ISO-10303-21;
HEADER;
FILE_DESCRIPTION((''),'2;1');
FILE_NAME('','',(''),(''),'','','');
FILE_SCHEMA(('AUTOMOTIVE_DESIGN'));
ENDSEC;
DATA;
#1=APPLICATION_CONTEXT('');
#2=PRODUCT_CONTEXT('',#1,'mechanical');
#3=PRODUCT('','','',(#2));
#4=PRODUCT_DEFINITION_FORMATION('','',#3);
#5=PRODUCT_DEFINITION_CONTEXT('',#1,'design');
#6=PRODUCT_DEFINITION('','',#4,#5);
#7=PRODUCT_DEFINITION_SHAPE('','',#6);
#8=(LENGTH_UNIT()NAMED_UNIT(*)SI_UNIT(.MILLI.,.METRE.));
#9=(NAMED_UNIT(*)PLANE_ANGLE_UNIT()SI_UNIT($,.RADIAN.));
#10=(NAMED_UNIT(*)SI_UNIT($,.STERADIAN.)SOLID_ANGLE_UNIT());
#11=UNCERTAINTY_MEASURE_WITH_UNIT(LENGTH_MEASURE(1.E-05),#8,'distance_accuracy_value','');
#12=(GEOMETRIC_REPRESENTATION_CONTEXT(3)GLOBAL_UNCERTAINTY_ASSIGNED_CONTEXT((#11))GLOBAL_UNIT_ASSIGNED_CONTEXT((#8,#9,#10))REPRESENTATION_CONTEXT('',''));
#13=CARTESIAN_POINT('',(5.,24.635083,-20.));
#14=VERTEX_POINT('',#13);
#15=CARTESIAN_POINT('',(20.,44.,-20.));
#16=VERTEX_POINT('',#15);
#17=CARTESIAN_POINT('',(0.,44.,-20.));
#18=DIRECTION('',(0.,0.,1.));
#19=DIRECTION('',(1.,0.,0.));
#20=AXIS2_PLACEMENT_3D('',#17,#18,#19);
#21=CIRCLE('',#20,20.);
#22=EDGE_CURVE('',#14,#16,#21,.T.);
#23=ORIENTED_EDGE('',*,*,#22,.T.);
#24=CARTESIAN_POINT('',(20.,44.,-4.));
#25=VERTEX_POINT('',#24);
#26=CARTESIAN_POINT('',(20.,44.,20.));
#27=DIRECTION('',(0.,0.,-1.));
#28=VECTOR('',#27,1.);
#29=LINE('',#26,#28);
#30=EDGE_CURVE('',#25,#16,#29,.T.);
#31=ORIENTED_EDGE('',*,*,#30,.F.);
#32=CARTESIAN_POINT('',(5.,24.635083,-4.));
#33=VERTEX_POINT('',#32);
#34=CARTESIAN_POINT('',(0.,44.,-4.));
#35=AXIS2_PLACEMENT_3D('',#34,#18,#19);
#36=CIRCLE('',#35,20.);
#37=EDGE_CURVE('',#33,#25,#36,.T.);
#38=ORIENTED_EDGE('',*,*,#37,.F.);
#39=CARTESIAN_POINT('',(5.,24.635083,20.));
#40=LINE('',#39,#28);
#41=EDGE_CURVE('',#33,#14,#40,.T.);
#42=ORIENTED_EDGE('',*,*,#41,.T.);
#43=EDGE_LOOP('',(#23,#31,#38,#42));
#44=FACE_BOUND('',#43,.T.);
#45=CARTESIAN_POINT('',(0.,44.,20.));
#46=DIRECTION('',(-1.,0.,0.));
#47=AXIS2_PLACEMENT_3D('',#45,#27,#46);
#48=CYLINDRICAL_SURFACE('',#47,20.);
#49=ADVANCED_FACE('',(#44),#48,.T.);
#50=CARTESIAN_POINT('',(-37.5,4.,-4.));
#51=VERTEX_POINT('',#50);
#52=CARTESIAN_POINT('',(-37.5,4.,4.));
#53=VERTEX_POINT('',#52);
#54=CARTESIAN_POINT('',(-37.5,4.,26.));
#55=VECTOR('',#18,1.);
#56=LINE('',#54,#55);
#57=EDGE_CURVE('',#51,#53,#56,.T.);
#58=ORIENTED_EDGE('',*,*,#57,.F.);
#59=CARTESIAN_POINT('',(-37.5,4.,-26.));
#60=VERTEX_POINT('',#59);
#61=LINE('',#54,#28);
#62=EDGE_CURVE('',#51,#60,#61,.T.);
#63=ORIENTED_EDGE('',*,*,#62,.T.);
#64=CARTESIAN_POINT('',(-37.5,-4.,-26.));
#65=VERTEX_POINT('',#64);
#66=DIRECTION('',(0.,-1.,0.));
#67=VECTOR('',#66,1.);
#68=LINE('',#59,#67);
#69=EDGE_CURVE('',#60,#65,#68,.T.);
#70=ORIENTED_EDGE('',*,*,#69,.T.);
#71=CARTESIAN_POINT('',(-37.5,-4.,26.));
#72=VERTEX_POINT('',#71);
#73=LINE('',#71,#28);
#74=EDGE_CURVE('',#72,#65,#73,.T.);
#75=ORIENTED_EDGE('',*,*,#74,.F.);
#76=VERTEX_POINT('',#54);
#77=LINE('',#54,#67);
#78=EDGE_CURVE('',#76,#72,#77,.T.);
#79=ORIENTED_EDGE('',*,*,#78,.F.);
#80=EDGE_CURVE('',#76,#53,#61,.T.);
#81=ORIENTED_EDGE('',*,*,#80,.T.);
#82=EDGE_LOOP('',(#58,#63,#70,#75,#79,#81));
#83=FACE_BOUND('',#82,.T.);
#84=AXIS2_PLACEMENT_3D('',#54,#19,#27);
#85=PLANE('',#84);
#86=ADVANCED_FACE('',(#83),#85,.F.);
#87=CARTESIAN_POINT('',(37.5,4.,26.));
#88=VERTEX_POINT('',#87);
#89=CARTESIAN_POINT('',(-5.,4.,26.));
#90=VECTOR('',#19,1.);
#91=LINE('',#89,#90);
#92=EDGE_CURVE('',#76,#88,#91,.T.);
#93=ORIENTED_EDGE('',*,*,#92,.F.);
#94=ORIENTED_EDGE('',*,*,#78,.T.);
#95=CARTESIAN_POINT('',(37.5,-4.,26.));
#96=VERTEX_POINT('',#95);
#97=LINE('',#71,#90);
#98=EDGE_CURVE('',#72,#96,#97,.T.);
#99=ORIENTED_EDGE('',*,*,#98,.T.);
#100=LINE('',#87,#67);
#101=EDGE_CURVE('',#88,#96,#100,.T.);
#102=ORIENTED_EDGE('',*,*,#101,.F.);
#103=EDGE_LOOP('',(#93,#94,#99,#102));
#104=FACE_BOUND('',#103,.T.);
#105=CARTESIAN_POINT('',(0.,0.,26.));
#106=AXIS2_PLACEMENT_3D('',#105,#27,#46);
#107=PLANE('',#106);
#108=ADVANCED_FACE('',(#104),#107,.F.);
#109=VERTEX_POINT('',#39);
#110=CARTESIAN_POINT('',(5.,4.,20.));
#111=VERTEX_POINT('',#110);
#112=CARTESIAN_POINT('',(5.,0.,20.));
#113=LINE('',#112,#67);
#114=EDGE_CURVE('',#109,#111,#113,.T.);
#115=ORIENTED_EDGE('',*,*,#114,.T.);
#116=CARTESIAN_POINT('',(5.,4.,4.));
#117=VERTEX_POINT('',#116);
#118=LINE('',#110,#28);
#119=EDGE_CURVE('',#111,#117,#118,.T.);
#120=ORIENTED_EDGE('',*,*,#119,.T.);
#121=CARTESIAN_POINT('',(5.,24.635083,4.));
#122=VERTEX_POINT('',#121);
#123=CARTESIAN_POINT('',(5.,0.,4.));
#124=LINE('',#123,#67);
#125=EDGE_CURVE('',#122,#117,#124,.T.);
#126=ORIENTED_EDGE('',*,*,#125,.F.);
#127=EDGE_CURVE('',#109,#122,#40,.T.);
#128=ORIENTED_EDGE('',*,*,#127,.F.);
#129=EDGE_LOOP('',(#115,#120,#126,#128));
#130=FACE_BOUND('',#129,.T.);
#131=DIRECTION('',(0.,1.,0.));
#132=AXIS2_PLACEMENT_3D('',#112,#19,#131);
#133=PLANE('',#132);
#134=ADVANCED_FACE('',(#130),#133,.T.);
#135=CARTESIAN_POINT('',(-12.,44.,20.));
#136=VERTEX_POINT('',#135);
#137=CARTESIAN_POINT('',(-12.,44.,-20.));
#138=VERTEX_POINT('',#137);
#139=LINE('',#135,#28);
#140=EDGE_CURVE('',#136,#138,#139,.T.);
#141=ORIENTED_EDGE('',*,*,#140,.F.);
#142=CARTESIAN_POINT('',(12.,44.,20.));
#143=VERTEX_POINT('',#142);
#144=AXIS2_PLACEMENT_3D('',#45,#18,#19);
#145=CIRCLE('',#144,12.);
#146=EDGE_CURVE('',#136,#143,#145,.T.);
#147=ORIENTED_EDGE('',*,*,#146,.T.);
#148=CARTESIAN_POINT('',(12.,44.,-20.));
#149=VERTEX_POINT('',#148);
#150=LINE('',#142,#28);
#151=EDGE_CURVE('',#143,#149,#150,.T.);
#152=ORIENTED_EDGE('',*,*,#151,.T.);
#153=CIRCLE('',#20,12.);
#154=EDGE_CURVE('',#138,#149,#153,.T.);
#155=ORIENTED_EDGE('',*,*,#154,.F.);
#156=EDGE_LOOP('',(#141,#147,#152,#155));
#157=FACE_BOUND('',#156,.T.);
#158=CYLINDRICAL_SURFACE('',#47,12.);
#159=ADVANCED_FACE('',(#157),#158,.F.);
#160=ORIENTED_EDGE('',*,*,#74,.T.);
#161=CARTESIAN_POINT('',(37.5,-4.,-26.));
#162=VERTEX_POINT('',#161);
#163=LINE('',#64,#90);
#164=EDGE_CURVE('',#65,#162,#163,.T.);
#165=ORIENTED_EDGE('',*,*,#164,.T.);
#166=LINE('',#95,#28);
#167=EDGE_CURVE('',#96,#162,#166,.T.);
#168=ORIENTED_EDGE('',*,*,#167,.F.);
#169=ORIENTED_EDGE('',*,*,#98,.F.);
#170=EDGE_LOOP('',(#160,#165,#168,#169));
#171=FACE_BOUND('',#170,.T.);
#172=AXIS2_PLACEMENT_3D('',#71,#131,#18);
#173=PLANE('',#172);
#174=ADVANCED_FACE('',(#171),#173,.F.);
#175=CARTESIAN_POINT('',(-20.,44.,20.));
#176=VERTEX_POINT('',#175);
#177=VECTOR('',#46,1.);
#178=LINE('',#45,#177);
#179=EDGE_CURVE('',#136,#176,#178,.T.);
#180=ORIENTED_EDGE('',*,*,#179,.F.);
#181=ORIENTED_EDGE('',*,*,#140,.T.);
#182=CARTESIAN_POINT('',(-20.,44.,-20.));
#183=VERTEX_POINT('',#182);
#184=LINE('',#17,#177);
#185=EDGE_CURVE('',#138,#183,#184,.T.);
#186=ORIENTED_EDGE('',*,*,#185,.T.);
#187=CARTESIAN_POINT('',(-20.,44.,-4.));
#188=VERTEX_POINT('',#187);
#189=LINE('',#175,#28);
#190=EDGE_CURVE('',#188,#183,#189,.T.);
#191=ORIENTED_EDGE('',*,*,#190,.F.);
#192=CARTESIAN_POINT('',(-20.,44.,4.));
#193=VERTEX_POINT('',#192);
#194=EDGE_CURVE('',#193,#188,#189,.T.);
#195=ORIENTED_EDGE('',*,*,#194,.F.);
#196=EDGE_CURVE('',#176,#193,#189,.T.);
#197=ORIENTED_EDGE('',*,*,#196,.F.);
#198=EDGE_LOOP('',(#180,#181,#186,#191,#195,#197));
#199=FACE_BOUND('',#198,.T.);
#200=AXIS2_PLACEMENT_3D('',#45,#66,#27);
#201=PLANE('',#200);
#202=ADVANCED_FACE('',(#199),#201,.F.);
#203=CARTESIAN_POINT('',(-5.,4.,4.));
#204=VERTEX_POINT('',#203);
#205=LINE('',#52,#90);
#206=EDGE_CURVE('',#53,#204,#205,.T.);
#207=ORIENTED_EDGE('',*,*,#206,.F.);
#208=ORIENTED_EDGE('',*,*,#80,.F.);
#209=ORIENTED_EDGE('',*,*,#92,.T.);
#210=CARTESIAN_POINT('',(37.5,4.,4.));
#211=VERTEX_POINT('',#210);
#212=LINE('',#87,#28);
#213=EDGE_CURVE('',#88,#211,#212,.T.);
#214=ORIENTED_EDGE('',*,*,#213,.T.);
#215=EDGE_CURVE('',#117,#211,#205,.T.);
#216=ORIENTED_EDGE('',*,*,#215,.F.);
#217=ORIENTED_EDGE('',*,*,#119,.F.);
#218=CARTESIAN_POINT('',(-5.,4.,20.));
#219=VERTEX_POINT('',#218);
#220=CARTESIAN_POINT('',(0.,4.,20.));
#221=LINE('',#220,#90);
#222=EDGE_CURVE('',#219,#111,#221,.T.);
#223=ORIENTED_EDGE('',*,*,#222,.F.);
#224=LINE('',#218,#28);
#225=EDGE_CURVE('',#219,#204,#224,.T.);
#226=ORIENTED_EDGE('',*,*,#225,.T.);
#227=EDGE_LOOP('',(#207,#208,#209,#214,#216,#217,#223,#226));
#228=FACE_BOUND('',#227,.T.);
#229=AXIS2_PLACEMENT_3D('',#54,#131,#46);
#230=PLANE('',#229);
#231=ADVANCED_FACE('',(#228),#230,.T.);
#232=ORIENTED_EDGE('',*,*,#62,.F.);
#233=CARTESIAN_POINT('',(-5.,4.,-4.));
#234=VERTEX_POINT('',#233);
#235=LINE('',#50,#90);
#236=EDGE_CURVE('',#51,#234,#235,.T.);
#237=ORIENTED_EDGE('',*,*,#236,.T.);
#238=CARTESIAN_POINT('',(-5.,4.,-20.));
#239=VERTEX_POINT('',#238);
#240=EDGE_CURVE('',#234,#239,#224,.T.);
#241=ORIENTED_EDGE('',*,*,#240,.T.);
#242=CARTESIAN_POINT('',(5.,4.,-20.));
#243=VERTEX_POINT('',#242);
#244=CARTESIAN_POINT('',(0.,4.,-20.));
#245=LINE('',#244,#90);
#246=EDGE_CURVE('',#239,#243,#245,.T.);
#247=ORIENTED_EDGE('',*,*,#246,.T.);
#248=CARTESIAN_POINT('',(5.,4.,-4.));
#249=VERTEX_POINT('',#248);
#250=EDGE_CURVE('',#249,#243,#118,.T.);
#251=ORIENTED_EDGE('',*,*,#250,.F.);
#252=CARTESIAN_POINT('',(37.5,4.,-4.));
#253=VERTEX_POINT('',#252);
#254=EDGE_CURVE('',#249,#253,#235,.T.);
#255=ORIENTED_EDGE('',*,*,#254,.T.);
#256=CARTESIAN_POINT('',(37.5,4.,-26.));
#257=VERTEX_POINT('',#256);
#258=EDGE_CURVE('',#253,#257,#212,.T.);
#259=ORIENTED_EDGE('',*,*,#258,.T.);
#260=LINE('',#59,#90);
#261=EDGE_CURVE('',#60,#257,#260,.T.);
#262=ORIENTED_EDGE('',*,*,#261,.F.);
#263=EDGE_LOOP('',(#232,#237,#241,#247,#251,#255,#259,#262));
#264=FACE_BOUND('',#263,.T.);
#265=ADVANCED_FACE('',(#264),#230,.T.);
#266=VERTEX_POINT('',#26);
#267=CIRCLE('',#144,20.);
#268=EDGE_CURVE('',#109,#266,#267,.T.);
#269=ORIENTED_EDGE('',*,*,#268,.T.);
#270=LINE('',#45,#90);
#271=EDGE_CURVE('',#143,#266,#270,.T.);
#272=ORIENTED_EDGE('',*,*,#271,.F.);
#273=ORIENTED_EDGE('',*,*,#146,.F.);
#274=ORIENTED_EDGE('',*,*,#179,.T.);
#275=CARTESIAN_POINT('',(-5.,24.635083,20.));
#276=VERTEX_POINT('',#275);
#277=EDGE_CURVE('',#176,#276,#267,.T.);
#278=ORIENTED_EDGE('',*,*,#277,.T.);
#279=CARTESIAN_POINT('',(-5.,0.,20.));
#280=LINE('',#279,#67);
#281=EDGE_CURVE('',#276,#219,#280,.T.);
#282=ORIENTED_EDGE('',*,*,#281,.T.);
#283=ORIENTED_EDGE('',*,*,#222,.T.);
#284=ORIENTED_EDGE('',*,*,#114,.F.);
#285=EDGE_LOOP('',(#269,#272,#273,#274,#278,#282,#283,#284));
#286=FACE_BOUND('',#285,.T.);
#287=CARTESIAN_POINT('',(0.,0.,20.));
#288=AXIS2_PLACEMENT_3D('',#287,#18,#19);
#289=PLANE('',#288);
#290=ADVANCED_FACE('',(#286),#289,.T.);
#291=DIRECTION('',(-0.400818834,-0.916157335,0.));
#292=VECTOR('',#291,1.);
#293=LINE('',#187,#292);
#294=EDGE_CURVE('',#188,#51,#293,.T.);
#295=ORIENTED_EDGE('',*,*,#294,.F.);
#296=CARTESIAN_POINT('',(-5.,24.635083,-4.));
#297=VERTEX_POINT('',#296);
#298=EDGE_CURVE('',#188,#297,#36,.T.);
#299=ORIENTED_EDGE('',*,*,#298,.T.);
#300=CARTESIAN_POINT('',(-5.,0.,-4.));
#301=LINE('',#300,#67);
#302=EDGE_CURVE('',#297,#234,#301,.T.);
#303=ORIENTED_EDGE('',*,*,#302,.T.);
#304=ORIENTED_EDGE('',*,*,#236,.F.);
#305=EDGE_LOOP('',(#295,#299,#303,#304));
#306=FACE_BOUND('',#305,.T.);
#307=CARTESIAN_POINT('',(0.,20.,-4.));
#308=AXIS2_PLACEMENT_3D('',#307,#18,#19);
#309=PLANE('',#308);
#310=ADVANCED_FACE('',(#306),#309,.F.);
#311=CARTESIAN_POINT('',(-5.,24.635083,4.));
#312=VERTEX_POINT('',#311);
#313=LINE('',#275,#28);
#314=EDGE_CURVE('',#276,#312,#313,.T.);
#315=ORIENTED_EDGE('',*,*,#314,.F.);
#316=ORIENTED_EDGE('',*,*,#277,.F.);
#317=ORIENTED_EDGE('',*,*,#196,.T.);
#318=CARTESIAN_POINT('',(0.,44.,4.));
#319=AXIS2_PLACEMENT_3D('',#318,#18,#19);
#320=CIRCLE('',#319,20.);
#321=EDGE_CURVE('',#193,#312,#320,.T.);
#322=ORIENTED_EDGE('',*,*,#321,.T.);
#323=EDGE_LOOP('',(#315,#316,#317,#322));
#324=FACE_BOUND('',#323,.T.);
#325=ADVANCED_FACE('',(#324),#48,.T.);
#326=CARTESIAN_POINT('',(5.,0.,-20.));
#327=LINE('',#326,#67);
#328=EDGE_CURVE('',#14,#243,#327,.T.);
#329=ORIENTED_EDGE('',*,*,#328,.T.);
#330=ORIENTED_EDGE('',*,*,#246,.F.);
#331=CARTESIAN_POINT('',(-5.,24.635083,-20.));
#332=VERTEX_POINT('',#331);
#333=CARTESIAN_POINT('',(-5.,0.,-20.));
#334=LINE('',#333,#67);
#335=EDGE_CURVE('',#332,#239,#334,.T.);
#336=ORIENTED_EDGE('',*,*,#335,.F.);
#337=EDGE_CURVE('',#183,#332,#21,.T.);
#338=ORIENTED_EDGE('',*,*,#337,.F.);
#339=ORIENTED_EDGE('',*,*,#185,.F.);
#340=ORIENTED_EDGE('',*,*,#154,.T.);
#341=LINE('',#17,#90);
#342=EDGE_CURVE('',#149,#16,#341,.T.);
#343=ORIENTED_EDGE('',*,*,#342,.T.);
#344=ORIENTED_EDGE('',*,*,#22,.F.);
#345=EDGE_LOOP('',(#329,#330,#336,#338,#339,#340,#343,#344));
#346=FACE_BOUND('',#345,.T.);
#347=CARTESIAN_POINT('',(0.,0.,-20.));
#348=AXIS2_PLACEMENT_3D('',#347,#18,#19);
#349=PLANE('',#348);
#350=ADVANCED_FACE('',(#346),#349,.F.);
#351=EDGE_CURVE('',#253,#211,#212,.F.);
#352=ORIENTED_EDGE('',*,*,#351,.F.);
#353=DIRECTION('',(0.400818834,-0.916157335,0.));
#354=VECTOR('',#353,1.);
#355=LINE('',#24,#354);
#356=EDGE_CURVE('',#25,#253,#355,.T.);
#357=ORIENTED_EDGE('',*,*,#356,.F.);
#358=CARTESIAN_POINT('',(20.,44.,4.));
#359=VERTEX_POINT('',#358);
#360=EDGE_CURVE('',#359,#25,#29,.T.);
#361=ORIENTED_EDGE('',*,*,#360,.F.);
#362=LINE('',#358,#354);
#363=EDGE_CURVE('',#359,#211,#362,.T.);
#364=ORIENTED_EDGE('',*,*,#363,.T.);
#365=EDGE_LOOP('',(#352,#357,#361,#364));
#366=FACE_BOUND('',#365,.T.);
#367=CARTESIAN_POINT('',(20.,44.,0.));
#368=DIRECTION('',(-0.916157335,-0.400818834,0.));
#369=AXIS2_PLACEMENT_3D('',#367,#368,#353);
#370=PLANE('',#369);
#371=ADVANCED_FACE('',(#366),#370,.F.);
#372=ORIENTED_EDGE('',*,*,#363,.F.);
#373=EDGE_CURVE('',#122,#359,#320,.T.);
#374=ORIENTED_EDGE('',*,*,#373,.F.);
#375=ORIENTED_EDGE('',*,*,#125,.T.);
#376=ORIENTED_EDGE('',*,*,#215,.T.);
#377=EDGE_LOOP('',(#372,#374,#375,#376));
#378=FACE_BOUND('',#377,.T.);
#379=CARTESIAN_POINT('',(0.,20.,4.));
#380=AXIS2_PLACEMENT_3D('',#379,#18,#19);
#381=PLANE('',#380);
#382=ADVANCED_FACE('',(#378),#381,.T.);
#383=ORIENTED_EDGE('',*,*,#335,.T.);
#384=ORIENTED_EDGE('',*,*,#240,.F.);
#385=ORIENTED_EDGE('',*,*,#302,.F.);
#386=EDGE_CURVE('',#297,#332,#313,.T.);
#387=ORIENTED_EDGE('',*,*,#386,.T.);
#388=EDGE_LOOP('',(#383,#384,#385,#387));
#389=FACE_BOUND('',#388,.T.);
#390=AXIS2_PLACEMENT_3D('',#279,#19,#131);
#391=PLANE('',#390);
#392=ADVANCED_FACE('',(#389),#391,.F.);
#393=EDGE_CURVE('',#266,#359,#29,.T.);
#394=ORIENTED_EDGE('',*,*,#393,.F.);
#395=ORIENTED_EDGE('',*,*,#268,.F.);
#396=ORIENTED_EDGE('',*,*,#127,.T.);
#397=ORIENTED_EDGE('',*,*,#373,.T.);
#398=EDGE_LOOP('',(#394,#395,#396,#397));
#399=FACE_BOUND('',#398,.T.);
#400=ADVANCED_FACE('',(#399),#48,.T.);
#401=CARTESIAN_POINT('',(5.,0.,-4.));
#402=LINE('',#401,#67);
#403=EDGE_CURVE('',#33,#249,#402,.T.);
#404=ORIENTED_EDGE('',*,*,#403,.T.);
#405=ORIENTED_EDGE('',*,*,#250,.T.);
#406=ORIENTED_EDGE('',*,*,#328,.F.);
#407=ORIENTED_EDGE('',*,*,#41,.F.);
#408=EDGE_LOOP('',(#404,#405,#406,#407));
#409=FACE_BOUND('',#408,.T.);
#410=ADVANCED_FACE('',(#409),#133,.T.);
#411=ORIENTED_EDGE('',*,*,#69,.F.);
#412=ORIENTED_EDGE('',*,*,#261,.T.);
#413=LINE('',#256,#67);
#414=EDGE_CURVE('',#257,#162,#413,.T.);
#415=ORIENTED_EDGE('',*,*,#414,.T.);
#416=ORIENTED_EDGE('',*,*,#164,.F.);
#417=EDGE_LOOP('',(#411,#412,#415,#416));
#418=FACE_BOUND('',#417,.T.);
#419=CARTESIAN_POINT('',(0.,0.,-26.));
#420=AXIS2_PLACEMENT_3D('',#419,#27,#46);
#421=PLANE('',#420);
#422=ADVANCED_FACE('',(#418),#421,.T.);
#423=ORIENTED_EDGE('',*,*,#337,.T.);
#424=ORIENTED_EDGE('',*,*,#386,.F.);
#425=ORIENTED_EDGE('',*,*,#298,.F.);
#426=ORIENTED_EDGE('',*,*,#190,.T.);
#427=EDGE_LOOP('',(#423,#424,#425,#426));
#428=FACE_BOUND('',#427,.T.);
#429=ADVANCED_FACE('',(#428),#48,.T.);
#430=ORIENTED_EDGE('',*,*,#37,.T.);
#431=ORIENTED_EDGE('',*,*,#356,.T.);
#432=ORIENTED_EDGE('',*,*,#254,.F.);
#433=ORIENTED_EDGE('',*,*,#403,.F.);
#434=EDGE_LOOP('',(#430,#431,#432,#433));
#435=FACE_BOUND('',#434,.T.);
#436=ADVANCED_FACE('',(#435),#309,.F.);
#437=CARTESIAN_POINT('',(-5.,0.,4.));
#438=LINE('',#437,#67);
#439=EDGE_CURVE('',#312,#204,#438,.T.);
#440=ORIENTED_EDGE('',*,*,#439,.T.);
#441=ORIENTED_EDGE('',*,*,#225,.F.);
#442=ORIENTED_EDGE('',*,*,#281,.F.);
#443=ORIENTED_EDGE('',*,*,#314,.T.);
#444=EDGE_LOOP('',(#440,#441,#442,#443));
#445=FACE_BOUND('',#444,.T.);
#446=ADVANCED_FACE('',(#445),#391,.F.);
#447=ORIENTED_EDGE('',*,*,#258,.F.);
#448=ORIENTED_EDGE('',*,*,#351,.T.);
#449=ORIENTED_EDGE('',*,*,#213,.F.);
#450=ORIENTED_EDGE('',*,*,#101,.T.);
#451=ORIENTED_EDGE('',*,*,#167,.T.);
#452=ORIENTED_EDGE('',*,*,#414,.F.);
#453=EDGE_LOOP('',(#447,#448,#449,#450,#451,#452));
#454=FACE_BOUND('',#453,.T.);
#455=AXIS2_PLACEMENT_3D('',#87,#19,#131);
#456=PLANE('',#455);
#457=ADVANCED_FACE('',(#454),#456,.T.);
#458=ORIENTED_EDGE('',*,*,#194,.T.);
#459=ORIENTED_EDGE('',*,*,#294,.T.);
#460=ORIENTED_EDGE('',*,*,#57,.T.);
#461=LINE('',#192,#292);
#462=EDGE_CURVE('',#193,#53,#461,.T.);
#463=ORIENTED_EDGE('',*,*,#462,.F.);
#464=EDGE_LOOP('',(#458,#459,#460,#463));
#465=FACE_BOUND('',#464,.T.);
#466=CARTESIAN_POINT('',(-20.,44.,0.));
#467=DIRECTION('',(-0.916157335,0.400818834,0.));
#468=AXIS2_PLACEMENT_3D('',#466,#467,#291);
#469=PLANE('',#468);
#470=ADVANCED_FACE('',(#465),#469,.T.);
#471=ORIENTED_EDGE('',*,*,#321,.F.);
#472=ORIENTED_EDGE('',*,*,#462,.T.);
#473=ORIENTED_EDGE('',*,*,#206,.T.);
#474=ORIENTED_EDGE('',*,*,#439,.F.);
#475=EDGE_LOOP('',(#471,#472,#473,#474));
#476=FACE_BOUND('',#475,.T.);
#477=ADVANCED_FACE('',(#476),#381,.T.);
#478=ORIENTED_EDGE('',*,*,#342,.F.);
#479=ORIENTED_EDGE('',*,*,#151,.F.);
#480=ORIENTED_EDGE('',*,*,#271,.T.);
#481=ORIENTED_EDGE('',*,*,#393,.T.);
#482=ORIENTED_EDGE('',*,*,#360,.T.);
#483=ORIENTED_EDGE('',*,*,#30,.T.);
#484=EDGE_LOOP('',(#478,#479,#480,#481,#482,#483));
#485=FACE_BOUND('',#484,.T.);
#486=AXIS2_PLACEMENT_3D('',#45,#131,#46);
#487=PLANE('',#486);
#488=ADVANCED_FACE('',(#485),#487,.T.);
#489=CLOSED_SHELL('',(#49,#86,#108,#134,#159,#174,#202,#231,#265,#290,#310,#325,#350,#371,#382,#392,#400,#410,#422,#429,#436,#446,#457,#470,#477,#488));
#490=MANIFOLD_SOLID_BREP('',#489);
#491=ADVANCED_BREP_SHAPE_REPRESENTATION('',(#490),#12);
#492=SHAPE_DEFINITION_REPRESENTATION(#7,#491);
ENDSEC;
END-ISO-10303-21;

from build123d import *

# Parameters (mm, degrees)
BOSS_EXTRUDE1_DEPTH = 26
BOSS_EXTRUDE2_DEPTH = 20
RIB1_REACH          = 65.39
SKETCH6_WALL_W      = 172.439958848
SKETCH6_WALL_H      = 8
RIB2_REACH          = 65.39
SKETCH7_WALL_W      = 172.439958848
SKETCH7_WALL_H      = 8


with BuildPart() as part:
    # Sketch2 → Boss-Extrude1 (new, symmetric)
    with BuildSketch(Plane.XY):
        Polygon((-5, 4), (37.5, 4), (37.5, -4), (-37.5, -4), (-37.5, 4), align=None)
    extrude(amount=BOSS_EXTRUDE1_DEPTH, both=True)

    # Sketch2<3> → Boss-Extrude2 (add, symmetric)
    with BuildSketch(Plane.XY):
        with BuildLine():
            Line((-5, 24.635083269), (-5, 4))
            Line((-5, 4), (5, 4))
            Line((5, 4), (5, 24.635083269))
            ThreePointArc((5, 24.635083269), (15.811388301, 31.752551286), (20, 44))
            Line((20, 44), (12, 44))
            ThreePointArc((12, 44), (0, 32), (-12, 44))
            Line((-12, 44), (-20, 44))
            ThreePointArc((-20, 44), (-15.811388301, 31.752551286), (-5, 24.635083269))
        make_face()
    extrude(amount=BOSS_EXTRUDE2_DEPTH, both=True)

    # Sketch6 wall → Rib1 (add, up to next)
    with BuildSketch(Plane(origin=(28.75, 24, 0), x_dir=(0.40081883402, -0.916157334902, 0), z_dir=(0.916157334902, 0.40081883402, 0)), mode=Mode.PRIVATE) as rib1_sk1:
        Rectangle(SKETCH6_WALL_W, SKETCH6_WALL_H)
    rib1_tool1 = extrude(rib1_sk1.sketch, amount=-RIB1_REACH, mode=Mode.PRIVATE) - part.part
    add(rib1_tool1.solids().sort_by_distance((28.75, 24, 0))[0])

    # Sketch7 wall → Rib2 (add, up to next)
    with BuildSketch(Plane(origin=(-28.75, 24, 0), x_dir=(-0.40081883402, -0.916157334902, 0), z_dir=(0.916157334902, -0.40081883402, 0)), mode=Mode.PRIVATE) as rib2_sk1:
        Rectangle(SKETCH7_WALL_W, SKETCH7_WALL_H)
    rib2_tool1 = extrude(rib2_sk1.sketch, amount=RIB2_REACH, mode=Mode.PRIVATE) - part.part
    add(rib2_tool1.solids().sort_by_distance((-28.75, 24, 0))[0])


solid = part.part
